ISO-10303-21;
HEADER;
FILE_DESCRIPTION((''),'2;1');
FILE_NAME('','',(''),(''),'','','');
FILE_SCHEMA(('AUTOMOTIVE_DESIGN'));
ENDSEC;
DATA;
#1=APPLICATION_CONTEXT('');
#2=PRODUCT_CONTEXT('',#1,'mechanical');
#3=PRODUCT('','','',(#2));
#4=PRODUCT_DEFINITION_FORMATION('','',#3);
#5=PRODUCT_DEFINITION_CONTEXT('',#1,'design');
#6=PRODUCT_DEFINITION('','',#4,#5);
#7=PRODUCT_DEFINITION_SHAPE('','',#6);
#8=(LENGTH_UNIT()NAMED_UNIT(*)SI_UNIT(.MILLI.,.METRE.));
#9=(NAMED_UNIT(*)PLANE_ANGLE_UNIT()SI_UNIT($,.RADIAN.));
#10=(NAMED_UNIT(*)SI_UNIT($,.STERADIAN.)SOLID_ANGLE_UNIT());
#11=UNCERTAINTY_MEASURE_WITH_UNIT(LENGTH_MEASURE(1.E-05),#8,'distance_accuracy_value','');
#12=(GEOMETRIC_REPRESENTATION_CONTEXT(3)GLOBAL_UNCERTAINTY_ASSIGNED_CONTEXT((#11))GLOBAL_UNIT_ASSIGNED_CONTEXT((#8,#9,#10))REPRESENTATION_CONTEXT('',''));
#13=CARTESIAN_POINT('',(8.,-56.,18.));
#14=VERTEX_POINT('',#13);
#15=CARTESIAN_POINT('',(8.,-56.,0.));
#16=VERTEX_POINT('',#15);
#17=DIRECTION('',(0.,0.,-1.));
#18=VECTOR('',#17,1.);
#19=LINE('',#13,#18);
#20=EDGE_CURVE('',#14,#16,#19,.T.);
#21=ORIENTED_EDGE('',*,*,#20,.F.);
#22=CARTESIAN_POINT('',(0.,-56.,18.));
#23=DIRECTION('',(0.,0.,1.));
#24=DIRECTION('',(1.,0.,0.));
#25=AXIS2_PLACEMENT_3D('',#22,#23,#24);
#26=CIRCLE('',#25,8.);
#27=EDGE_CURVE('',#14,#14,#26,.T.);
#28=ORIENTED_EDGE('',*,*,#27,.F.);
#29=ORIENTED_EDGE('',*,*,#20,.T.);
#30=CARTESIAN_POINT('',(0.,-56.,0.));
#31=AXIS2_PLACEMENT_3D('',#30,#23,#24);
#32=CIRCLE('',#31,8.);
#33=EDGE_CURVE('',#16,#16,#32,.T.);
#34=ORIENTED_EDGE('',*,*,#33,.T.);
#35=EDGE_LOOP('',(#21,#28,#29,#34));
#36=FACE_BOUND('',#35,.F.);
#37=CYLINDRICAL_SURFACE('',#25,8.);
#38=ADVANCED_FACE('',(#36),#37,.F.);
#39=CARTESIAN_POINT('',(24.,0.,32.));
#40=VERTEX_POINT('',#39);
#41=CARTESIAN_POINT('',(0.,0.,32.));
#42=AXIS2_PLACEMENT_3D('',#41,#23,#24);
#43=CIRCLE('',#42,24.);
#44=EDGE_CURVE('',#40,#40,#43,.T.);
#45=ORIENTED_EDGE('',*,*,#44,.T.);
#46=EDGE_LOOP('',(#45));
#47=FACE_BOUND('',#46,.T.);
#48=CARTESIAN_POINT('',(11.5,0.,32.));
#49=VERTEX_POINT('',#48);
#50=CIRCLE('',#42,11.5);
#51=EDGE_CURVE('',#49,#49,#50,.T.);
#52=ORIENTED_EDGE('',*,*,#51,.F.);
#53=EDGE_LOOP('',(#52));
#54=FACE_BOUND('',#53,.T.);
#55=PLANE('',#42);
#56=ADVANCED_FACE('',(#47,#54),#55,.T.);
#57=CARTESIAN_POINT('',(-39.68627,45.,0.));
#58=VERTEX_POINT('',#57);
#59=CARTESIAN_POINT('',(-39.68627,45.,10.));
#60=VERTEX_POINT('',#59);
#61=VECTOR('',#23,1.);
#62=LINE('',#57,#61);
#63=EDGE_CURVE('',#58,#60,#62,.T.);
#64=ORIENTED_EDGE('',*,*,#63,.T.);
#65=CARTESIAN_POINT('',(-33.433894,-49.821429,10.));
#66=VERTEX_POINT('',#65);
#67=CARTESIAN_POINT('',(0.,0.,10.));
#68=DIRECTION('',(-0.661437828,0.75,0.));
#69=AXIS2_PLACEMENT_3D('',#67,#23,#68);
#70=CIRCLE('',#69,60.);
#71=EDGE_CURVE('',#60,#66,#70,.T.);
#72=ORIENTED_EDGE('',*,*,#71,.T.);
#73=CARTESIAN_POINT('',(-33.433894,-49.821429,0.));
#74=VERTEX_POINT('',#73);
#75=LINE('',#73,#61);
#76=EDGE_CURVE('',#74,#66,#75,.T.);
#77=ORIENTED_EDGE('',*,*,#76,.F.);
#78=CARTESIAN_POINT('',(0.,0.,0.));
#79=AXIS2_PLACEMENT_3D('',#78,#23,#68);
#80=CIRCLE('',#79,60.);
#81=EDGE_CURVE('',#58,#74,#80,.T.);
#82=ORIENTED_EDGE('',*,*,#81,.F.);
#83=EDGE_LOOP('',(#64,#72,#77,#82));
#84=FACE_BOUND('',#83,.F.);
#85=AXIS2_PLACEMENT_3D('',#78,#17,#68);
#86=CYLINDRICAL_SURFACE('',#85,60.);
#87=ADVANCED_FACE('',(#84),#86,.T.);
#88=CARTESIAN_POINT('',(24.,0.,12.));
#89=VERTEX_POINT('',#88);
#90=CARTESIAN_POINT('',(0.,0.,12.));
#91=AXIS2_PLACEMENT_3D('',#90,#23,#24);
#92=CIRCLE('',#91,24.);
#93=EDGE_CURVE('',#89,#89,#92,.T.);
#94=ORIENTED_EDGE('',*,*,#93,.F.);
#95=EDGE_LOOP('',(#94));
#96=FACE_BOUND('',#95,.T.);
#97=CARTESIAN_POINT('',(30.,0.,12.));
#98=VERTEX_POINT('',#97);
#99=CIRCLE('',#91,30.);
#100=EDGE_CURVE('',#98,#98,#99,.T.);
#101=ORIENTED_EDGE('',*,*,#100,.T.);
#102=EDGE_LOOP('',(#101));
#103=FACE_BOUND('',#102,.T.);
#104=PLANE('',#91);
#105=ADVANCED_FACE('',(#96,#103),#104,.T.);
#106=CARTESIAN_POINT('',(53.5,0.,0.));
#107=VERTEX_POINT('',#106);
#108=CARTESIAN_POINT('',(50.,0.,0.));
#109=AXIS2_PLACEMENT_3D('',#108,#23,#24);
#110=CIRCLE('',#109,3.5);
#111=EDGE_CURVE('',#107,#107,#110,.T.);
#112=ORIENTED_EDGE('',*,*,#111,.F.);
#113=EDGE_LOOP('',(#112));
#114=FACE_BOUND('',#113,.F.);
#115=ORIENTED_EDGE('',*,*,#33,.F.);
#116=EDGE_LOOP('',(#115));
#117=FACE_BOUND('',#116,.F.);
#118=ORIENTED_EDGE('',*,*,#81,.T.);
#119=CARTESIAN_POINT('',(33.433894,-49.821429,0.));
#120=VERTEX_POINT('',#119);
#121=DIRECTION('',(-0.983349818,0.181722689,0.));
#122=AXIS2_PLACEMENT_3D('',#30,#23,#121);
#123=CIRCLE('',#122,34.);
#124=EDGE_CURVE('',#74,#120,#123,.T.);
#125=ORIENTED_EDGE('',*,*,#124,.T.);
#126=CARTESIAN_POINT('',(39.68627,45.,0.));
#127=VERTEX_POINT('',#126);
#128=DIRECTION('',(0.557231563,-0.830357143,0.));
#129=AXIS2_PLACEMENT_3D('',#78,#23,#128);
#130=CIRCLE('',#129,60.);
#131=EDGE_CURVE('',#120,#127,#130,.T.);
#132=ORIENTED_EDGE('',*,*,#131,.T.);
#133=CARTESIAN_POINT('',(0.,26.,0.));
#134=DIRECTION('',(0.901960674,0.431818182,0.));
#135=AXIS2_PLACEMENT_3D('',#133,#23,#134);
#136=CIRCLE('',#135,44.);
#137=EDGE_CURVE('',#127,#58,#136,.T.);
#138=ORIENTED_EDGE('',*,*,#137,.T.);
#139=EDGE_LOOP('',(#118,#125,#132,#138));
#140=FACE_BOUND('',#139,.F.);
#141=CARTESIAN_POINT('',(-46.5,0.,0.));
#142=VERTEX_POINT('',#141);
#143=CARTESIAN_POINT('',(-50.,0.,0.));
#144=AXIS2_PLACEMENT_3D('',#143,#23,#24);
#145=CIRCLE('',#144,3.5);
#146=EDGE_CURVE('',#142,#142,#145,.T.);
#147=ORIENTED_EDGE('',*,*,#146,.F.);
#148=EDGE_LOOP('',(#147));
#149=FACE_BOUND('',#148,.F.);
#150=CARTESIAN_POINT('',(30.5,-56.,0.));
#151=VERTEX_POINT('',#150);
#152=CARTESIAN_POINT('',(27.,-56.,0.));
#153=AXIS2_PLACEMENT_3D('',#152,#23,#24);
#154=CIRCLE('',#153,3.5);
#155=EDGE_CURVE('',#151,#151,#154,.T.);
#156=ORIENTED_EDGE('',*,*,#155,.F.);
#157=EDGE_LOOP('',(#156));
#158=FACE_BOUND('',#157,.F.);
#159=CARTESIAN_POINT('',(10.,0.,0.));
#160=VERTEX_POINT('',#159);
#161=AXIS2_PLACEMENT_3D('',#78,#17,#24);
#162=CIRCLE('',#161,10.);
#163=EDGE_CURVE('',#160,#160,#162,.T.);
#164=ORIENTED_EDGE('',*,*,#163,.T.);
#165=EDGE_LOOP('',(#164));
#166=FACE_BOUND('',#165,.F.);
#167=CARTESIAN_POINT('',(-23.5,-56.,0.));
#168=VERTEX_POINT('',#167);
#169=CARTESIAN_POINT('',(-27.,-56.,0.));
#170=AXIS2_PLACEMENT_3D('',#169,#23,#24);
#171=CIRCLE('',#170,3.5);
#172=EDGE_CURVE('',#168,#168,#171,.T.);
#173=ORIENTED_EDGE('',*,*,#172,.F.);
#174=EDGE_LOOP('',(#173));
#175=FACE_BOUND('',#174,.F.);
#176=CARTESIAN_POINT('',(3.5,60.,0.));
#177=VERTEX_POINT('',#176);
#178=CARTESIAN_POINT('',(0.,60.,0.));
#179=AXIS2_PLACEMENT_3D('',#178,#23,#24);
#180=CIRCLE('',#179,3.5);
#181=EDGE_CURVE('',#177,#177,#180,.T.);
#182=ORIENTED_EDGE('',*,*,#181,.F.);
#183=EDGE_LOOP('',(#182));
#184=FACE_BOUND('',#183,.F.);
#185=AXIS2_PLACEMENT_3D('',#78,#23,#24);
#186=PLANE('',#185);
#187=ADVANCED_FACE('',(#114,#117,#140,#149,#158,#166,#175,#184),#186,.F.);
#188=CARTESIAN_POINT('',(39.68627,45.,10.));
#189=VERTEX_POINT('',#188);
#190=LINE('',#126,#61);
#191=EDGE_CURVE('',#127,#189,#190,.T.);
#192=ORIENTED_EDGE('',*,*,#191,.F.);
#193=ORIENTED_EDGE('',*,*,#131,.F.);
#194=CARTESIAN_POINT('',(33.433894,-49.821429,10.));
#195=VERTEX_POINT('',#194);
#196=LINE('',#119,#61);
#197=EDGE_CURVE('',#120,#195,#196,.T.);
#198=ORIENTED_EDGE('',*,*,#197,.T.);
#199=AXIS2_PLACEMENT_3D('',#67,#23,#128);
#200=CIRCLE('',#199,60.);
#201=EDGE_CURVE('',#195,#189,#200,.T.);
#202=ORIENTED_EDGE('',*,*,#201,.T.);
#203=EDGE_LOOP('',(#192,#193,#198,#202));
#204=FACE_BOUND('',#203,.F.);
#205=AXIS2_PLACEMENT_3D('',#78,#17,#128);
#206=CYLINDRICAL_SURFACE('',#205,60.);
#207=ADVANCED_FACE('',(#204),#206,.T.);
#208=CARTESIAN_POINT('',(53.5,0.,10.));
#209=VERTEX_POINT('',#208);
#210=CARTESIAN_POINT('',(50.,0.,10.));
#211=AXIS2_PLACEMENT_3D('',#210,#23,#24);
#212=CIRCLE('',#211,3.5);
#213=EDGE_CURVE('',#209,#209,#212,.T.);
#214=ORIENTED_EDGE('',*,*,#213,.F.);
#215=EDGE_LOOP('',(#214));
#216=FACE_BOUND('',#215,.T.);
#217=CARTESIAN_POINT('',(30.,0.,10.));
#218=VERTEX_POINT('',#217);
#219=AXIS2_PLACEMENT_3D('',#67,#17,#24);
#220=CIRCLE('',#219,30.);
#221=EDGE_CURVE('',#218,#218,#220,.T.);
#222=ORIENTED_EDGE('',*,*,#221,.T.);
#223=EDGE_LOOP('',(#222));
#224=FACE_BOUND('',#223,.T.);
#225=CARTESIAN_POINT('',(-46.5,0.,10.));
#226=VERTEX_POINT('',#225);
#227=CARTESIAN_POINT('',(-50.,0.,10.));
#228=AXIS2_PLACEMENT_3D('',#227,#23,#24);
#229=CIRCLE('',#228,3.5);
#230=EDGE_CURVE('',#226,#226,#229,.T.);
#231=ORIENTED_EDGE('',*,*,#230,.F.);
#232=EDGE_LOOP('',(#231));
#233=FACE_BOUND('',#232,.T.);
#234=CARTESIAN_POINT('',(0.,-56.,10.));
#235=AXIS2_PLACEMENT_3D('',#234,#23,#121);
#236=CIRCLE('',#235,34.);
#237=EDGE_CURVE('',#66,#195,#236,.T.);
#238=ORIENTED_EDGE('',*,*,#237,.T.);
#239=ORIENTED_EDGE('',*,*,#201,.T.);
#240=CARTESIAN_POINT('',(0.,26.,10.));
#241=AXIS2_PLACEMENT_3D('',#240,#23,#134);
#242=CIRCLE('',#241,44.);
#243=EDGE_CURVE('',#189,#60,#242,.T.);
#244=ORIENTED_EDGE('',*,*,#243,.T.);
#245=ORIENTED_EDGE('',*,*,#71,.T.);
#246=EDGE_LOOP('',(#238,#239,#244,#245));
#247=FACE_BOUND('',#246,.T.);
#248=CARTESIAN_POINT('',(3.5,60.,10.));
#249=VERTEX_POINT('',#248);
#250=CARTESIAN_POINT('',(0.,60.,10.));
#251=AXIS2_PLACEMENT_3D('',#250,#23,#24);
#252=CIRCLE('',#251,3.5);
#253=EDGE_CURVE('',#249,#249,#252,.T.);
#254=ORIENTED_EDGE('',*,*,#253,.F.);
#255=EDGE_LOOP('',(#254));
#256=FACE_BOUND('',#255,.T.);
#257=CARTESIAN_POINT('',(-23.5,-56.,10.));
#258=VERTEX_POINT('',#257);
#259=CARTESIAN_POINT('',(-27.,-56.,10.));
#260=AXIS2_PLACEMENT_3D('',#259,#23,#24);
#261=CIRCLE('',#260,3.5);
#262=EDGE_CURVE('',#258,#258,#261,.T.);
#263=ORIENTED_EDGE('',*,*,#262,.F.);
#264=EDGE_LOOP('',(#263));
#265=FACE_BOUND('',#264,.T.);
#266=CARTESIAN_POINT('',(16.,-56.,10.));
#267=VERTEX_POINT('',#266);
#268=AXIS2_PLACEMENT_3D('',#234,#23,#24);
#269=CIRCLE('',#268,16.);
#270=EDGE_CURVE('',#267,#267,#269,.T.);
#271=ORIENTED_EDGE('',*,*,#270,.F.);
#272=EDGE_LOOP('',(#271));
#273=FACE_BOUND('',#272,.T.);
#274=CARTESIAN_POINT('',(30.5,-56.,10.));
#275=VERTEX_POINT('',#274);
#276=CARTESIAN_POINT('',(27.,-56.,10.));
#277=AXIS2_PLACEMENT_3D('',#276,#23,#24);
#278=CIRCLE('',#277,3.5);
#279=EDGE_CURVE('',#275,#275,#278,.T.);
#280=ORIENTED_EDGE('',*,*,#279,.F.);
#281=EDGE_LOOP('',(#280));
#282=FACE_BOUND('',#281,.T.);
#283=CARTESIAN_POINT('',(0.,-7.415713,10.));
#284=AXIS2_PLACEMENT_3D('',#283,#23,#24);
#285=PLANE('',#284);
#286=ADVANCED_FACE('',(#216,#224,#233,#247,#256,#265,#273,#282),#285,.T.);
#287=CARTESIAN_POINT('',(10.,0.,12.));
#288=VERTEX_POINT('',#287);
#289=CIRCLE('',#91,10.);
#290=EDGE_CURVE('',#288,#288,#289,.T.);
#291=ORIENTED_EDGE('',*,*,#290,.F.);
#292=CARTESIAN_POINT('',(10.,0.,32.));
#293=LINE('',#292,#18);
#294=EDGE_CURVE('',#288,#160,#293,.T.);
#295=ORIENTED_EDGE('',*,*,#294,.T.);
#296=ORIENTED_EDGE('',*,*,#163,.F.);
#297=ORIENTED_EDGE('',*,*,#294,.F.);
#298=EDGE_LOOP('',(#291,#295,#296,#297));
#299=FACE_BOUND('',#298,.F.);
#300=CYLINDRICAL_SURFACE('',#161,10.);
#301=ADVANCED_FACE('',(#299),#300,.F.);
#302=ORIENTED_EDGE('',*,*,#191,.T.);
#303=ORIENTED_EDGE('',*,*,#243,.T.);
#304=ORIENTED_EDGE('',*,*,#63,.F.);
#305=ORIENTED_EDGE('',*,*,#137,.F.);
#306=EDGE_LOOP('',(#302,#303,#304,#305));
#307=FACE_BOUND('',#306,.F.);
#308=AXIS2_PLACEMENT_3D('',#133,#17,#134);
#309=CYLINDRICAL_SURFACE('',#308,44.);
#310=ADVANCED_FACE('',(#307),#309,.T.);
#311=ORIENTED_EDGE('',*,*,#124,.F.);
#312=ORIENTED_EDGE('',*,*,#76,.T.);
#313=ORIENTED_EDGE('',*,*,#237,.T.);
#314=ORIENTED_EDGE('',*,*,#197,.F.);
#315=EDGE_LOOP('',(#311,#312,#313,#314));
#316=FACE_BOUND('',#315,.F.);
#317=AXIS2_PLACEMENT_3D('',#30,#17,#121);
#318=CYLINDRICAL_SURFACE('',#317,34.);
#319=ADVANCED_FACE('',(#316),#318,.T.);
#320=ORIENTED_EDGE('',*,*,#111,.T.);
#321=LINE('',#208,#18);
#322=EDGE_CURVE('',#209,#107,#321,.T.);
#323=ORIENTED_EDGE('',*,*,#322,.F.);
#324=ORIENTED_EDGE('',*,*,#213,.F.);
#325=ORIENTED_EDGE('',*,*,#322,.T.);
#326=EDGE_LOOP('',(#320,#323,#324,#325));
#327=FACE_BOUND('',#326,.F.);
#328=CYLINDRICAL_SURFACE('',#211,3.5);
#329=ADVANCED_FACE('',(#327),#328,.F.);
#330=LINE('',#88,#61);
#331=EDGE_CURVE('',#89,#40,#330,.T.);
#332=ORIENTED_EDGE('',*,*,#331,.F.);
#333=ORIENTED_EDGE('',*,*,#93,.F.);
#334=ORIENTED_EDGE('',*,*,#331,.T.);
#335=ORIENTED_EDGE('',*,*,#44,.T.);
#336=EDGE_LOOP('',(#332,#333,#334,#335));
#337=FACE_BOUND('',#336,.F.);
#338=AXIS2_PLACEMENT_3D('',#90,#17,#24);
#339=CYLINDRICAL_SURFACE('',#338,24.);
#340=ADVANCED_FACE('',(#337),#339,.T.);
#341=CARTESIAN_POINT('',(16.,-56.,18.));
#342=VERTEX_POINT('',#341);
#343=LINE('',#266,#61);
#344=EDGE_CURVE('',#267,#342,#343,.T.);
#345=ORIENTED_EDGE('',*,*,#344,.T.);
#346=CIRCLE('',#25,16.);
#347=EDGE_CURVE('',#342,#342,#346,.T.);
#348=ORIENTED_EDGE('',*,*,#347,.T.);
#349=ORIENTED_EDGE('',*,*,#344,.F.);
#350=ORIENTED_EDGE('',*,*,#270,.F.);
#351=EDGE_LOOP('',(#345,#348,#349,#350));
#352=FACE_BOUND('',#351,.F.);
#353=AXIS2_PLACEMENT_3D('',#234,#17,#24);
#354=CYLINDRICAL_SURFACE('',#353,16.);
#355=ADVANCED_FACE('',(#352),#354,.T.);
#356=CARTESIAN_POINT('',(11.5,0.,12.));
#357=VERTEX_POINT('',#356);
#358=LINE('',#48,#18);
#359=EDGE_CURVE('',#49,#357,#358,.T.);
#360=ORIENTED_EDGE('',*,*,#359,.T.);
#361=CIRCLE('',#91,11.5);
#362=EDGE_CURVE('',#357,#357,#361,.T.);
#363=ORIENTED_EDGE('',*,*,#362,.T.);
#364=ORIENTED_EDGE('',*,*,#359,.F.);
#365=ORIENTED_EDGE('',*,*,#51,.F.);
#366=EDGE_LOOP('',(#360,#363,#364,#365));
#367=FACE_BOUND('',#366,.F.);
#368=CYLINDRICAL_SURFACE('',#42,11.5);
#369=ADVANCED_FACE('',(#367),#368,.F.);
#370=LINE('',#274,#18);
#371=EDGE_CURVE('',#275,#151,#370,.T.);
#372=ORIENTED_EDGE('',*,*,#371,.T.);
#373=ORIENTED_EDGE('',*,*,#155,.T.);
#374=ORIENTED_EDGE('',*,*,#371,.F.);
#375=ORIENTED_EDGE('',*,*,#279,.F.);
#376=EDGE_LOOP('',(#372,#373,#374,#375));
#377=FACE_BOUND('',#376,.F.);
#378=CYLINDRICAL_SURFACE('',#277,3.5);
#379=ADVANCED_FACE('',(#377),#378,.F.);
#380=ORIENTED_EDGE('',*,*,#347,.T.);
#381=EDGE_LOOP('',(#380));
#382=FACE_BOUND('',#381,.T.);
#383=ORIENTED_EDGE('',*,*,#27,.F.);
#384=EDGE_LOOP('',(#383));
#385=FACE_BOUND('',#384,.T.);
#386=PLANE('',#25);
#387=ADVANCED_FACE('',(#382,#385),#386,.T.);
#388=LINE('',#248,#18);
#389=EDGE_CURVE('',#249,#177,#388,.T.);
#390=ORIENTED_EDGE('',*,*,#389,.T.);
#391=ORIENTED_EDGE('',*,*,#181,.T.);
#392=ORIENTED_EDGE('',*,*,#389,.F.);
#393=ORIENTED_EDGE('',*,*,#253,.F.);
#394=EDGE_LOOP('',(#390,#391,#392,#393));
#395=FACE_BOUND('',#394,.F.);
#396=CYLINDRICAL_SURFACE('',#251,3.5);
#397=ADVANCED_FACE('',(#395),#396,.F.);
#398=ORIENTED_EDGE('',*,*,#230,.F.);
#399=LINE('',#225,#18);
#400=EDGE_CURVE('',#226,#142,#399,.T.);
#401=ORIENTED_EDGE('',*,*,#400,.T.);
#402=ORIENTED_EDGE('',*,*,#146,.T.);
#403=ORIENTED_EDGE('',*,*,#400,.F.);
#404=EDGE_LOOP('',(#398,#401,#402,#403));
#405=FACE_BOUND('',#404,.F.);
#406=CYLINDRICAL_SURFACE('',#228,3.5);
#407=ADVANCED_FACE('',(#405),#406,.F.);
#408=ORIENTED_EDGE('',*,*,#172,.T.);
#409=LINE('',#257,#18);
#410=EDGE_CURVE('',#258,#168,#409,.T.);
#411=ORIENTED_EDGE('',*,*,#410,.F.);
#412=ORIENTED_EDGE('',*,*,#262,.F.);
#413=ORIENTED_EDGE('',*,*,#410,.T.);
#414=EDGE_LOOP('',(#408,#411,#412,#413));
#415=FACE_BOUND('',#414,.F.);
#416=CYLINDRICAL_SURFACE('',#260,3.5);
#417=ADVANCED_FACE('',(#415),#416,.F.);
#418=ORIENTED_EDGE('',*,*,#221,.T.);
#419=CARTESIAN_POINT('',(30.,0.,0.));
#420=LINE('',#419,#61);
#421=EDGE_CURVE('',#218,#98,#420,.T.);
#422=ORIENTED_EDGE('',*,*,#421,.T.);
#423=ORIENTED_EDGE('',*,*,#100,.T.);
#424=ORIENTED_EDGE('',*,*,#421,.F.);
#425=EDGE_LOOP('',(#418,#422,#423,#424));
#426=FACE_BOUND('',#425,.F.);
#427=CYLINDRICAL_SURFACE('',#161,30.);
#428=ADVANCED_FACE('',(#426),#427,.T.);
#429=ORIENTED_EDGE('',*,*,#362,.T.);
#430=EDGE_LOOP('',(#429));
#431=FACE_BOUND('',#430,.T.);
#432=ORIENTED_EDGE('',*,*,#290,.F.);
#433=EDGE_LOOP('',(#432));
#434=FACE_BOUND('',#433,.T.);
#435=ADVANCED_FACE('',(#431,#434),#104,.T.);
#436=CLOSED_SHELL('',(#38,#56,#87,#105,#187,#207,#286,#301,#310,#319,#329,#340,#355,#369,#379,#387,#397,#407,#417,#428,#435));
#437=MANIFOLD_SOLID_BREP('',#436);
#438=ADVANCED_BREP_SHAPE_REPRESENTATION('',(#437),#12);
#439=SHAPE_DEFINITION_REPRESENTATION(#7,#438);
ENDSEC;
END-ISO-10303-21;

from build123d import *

# Parameters (mm, degrees)
F0_DEPTH  = 10
F17_R     = 30
F18_DEPTH = 12
F1_R      = 24
F2_DEPTH  = 20
F3_R      = 10
F4_DEPTH  = 25
F19_R     = 10
F5_DEPTH  = 30
F6_R      = 10
F7_DEPTH  = 30
F20_R     = 16
F8_DEPTH  = 8
F21_R     = 8
F9_DEPTH  = 25
F10_R     = 10
F11_DEPTH = 35
F12_R     = 11.5
F12_R_2   = 10
F13_DEPTH = 20
F14_R     = 3.5
F15_DEPTH = 10


with BuildPart() as f0:
    # F16 (on Top) → F0 (new body)
    with BuildSketch(Plane.XY):
        with BuildLine():
            ThreePointArc((39.686269666, 45), (0, 70), (-39.686269666, 45))
            ThreePointArc((-39.686269666, 45), (-59.8699875201, -3.9477328098), (-33.4338938071, -49.8214285714))
            ThreePointArc((-33.4338938071, -49.8214285714), (0, -90), (33.4338938071, -49.8214285714))
            ThreePointArc((33.4338938071, -49.8214285714), (59.8699875201, -3.9477328098), (39.686269666, 45))
        make_face()
    extrude(amount=F0_DEPTH)

    # F17 (on Top) → F18 (join)
    with BuildSketch(Plane.XY):
        Circle(F17_R)
    extrude(amount=F18_DEPTH)

    # F1 (on face) → F2 (join)
    with BuildSketch(Plane.XY.offset(12)):
        Circle(F1_R)
    extrude(amount=F2_DEPTH)

    # F3 (on face) → F4 (cut)
    with BuildSketch(Plane.XY.offset(32)):
        Circle(F3_R)
    extrude(amount=-F4_DEPTH, mode=Mode.SUBTRACT)

    # F19 (on face) → F5 (cut)
    with BuildSketch(Plane(origin=(0, 0, 0), x_dir=(1, 0, 0), z_dir=(0, 0, -1))):
        Circle(F19_R)
    extrude(amount=-F5_DEPTH, mode=Mode.SUBTRACT)

    # F6 (on face) → F7 (cut)
    with BuildSketch(Plane.XY.offset(32)):
        Circle(F6_R)
    extrude(amount=-F7_DEPTH, mode=Mode.SUBTRACT)

    # F20 (on face) → F8 (join)
    with BuildSketch(Plane.XY.offset(10)):
        with Locations((0, -56)):
            Circle(F20_R)
    extrude(amount=F8_DEPTH)

    # F21 (on face) → F9 (cut)
    with BuildSketch(Plane.XY.offset(18)):
        with Locations((0, -56)):
            Circle(F21_R)
    extrude(amount=-F9_DEPTH, mode=Mode.SUBTRACT)

    # F10 (on face) → F11 (cut)
    with BuildSketch(Plane.XY.offset(32)):
        Circle(F10_R)
    extrude(amount=-F11_DEPTH, mode=Mode.SUBTRACT)

    # F12 (on face) → F13 (cut)
    with BuildSketch(Plane.XY.offset(32)):
        Circle(F12_R)
        Circle(F12_R_2, mode=Mode.SUBTRACT)
    extrude(amount=-F13_DEPTH, mode=Mode.SUBTRACT)

    # F14 (on face) → F15 (cut)
    with BuildSketch(Plane.XY.offset(10)):
        with Locations((-27, -56)):
            Circle(F14_R)
        with Locations((27, -56)):
            Circle(F14_R)
        with Locations((-50, 0)):
            Circle(F14_R)
        with Locations((50, 0)):
            Circle(F14_R)
        with Locations((0, 60)):
            Circle(F14_R)
    extrude(amount=-F15_DEPTH, mode=Mode.SUBTRACT)


solid = f0.part
